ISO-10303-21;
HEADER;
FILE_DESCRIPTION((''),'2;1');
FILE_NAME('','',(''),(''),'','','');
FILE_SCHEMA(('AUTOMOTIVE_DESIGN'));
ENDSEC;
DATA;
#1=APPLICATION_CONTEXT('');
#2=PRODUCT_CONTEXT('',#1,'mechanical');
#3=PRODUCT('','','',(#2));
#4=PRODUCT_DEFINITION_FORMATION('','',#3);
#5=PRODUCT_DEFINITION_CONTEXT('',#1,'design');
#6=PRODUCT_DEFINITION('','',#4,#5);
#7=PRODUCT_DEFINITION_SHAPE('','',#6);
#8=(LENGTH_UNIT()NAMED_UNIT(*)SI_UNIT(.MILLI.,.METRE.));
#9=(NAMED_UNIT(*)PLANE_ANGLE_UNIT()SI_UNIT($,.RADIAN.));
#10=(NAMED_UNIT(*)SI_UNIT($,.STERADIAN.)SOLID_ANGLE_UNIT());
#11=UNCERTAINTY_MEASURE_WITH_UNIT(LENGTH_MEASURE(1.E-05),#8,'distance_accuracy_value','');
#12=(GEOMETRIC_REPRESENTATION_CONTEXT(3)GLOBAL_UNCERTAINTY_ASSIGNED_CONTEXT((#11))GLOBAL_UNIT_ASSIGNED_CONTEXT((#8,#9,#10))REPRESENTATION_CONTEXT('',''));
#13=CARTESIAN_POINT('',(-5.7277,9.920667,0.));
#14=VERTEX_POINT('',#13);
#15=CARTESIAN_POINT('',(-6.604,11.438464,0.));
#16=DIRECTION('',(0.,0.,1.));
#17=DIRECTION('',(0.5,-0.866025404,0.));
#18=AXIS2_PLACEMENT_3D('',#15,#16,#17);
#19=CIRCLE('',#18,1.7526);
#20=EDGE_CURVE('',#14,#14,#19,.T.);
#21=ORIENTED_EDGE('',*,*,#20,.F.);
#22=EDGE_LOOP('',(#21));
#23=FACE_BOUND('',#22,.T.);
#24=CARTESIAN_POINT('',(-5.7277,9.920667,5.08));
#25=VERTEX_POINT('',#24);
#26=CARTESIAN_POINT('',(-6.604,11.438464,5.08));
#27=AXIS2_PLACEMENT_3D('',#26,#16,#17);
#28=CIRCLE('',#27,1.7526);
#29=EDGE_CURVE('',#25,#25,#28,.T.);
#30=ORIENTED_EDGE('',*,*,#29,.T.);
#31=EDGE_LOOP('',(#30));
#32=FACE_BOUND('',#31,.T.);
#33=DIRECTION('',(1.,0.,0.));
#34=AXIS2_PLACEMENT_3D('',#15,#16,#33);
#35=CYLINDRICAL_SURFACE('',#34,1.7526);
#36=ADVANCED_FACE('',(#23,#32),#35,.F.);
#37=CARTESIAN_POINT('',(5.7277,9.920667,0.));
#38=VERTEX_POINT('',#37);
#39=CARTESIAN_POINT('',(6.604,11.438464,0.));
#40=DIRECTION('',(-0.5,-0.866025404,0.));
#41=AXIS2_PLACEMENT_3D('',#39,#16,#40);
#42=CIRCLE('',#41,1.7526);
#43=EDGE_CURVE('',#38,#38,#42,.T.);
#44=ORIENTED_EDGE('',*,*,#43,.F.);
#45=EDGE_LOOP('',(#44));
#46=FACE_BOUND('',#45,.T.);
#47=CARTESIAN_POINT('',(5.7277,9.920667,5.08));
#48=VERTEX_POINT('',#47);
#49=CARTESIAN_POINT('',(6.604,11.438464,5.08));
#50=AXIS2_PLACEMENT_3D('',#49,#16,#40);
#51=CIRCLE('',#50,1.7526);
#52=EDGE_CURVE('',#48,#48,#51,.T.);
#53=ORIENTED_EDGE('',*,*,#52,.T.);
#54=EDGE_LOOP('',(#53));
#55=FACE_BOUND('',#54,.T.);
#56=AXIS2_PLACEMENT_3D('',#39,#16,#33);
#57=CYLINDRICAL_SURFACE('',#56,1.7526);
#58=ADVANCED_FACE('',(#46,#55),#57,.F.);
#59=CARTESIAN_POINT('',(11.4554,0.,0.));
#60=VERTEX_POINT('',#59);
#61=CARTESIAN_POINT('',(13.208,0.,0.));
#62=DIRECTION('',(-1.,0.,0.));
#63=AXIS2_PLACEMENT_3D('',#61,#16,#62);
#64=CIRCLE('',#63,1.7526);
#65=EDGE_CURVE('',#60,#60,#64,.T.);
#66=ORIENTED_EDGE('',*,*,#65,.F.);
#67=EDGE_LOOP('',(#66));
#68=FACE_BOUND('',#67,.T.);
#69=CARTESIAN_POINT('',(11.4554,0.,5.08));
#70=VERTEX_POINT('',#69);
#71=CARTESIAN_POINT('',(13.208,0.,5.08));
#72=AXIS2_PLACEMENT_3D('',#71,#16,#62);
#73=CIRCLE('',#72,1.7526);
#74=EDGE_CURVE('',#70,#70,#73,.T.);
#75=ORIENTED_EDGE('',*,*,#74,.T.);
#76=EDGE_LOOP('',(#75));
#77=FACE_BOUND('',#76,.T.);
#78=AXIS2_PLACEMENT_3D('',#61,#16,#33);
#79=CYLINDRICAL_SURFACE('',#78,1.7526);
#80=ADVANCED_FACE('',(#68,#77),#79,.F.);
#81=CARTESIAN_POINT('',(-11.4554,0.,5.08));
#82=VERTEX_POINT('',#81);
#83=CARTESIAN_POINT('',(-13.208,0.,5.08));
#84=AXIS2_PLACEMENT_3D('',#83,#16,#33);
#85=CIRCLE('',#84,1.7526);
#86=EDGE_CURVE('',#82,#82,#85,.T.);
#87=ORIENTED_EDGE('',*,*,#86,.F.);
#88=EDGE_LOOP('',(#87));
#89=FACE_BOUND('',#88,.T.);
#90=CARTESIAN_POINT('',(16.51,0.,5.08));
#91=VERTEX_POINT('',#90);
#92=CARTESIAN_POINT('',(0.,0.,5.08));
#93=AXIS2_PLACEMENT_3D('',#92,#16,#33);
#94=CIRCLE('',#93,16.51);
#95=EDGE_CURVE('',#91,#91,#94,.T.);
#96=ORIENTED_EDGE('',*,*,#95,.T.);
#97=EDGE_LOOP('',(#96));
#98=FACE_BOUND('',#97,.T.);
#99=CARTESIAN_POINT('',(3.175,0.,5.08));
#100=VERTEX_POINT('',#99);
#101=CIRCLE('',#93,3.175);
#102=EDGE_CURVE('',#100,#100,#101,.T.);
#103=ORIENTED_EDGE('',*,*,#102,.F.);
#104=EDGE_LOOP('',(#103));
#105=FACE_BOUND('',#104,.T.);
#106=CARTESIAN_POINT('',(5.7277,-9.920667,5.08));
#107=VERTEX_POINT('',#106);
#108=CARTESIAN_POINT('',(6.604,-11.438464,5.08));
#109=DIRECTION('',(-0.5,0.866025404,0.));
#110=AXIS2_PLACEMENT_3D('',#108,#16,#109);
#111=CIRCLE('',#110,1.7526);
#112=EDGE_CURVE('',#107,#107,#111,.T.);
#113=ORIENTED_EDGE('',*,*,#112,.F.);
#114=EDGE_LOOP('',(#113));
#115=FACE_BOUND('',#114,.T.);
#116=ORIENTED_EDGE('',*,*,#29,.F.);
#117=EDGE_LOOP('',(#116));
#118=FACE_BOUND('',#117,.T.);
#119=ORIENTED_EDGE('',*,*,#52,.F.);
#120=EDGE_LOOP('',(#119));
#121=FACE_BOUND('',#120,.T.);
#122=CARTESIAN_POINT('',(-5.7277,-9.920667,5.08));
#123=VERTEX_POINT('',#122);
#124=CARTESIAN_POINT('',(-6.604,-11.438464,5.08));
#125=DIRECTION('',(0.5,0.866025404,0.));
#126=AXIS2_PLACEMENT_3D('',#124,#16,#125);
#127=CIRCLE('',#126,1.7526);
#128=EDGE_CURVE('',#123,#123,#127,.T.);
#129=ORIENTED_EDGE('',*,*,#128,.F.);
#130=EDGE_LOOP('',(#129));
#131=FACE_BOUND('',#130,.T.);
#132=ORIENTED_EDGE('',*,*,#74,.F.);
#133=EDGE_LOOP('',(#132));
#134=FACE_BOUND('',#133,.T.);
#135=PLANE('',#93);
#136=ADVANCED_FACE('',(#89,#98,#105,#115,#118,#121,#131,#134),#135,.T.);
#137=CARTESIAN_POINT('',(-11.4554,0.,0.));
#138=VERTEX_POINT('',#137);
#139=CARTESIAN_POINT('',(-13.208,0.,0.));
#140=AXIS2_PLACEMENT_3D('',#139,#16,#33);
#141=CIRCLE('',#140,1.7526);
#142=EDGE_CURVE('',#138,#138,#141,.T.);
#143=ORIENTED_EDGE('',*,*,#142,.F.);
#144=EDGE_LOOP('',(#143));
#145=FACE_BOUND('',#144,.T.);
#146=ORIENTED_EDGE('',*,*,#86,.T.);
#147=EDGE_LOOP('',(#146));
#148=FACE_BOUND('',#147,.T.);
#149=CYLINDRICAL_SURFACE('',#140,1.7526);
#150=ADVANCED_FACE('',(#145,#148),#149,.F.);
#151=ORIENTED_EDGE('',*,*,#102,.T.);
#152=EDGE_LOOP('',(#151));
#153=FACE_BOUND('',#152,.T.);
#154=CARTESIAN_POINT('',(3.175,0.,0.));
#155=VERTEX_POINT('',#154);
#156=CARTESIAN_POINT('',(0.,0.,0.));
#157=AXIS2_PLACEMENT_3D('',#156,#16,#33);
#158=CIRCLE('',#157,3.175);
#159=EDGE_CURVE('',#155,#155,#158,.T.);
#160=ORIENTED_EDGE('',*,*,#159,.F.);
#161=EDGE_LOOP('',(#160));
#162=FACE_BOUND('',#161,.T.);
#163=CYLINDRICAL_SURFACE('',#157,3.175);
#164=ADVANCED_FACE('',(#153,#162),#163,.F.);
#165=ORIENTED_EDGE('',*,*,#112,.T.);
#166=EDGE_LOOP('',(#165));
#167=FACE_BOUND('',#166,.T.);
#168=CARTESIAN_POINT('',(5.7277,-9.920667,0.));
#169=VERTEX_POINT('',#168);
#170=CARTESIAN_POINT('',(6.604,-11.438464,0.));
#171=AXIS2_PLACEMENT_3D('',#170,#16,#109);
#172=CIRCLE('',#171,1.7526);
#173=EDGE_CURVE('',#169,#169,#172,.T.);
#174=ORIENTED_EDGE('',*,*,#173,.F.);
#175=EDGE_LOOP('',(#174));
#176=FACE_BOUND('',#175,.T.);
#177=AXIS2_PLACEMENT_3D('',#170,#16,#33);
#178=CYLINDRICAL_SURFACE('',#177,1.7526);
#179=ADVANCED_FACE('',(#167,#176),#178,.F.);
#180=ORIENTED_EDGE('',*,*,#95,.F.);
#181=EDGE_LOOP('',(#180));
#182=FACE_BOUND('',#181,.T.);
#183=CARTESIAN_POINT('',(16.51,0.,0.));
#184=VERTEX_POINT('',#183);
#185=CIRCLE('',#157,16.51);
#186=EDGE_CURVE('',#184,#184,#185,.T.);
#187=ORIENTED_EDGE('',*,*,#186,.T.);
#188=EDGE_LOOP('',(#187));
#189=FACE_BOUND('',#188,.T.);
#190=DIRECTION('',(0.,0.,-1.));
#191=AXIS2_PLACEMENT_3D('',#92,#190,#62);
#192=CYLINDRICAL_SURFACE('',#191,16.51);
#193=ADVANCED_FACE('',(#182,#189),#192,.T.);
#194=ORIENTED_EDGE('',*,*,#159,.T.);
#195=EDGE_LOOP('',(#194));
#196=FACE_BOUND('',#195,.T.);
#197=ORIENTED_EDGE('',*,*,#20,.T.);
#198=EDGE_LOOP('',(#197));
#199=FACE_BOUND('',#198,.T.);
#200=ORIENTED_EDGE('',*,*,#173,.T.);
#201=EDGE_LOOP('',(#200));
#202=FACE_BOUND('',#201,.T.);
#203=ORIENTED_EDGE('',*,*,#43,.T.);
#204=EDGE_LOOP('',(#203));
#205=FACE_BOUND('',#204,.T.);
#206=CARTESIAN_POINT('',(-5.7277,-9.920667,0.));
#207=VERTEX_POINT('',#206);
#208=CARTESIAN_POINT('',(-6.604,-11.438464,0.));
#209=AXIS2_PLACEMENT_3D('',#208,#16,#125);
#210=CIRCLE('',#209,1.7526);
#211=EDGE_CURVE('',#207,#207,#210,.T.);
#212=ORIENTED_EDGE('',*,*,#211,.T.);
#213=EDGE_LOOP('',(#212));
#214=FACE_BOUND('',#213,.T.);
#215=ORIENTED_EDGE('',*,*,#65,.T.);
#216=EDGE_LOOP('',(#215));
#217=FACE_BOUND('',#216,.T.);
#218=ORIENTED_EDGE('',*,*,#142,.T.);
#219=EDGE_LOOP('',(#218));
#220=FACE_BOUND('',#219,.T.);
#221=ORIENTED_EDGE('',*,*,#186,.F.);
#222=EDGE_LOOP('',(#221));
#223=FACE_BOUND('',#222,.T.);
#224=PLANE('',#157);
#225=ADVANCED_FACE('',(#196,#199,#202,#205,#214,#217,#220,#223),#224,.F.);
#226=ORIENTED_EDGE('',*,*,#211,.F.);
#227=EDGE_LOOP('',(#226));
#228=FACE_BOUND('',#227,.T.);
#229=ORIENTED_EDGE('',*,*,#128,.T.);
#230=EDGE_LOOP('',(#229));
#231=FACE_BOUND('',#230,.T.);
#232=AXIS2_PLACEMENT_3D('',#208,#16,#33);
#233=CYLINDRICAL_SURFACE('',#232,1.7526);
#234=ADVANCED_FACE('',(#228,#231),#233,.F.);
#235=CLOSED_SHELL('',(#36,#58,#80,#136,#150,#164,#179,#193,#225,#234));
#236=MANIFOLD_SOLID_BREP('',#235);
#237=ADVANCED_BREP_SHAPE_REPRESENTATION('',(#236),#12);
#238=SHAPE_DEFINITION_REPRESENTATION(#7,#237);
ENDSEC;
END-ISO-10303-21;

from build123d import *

# Parameters (mm, degrees)
SKETCH1_R           = 16.51
BOSS_EXTRUDE1_DEPTH = 5.08
SKETCH2_R           = 3.175
CUT_EXTRUDE1_DEPTH  = 5.08
SKETCH3_R           = 1.7526
CUT_EXTRUDE2_DEPTH  = 5.08
CIRPATTERN1_COUNT   = 6


with BuildPart() as part:
    # Sketch1 → Boss-Extrude1 (new body)
    with BuildSketch(Plane.XY):
        Circle(SKETCH1_R)
    extrude(amount=BOSS_EXTRUDE1_DEPTH)

    # Sketch2 → Cut-Extrude1 (cut)
    with BuildSketch(Plane.XY.offset(5.08)):
        Circle(SKETCH2_R)
    extrude(amount=-CUT_EXTRUDE1_DEPTH, mode=Mode.SUBTRACT)

    # Sketch3 → Cut-Extrude2 (cut)
    with BuildSketch(Plane.XY.offset(5.08)):
        with Locations((-13.208, 0)):
            Circle(SKETCH3_R)
    cut_extrude2 = extrude(amount=-CUT_EXTRUDE2_DEPTH, mode=Mode.SUBTRACT)

    # CirPattern1: Cut-Extrude2 ×6 about axis
    cirpattern1_axis = Axis((0, 0, 0), (0, 0, 1))
    for i in range(1, CIRPATTERN1_COUNT):
        add(cut_extrude2.rotate(cirpattern1_axis, i * 360 / CIRPATTERN1_COUNT), mode=Mode.SUBTRACT)


solid = part.part
